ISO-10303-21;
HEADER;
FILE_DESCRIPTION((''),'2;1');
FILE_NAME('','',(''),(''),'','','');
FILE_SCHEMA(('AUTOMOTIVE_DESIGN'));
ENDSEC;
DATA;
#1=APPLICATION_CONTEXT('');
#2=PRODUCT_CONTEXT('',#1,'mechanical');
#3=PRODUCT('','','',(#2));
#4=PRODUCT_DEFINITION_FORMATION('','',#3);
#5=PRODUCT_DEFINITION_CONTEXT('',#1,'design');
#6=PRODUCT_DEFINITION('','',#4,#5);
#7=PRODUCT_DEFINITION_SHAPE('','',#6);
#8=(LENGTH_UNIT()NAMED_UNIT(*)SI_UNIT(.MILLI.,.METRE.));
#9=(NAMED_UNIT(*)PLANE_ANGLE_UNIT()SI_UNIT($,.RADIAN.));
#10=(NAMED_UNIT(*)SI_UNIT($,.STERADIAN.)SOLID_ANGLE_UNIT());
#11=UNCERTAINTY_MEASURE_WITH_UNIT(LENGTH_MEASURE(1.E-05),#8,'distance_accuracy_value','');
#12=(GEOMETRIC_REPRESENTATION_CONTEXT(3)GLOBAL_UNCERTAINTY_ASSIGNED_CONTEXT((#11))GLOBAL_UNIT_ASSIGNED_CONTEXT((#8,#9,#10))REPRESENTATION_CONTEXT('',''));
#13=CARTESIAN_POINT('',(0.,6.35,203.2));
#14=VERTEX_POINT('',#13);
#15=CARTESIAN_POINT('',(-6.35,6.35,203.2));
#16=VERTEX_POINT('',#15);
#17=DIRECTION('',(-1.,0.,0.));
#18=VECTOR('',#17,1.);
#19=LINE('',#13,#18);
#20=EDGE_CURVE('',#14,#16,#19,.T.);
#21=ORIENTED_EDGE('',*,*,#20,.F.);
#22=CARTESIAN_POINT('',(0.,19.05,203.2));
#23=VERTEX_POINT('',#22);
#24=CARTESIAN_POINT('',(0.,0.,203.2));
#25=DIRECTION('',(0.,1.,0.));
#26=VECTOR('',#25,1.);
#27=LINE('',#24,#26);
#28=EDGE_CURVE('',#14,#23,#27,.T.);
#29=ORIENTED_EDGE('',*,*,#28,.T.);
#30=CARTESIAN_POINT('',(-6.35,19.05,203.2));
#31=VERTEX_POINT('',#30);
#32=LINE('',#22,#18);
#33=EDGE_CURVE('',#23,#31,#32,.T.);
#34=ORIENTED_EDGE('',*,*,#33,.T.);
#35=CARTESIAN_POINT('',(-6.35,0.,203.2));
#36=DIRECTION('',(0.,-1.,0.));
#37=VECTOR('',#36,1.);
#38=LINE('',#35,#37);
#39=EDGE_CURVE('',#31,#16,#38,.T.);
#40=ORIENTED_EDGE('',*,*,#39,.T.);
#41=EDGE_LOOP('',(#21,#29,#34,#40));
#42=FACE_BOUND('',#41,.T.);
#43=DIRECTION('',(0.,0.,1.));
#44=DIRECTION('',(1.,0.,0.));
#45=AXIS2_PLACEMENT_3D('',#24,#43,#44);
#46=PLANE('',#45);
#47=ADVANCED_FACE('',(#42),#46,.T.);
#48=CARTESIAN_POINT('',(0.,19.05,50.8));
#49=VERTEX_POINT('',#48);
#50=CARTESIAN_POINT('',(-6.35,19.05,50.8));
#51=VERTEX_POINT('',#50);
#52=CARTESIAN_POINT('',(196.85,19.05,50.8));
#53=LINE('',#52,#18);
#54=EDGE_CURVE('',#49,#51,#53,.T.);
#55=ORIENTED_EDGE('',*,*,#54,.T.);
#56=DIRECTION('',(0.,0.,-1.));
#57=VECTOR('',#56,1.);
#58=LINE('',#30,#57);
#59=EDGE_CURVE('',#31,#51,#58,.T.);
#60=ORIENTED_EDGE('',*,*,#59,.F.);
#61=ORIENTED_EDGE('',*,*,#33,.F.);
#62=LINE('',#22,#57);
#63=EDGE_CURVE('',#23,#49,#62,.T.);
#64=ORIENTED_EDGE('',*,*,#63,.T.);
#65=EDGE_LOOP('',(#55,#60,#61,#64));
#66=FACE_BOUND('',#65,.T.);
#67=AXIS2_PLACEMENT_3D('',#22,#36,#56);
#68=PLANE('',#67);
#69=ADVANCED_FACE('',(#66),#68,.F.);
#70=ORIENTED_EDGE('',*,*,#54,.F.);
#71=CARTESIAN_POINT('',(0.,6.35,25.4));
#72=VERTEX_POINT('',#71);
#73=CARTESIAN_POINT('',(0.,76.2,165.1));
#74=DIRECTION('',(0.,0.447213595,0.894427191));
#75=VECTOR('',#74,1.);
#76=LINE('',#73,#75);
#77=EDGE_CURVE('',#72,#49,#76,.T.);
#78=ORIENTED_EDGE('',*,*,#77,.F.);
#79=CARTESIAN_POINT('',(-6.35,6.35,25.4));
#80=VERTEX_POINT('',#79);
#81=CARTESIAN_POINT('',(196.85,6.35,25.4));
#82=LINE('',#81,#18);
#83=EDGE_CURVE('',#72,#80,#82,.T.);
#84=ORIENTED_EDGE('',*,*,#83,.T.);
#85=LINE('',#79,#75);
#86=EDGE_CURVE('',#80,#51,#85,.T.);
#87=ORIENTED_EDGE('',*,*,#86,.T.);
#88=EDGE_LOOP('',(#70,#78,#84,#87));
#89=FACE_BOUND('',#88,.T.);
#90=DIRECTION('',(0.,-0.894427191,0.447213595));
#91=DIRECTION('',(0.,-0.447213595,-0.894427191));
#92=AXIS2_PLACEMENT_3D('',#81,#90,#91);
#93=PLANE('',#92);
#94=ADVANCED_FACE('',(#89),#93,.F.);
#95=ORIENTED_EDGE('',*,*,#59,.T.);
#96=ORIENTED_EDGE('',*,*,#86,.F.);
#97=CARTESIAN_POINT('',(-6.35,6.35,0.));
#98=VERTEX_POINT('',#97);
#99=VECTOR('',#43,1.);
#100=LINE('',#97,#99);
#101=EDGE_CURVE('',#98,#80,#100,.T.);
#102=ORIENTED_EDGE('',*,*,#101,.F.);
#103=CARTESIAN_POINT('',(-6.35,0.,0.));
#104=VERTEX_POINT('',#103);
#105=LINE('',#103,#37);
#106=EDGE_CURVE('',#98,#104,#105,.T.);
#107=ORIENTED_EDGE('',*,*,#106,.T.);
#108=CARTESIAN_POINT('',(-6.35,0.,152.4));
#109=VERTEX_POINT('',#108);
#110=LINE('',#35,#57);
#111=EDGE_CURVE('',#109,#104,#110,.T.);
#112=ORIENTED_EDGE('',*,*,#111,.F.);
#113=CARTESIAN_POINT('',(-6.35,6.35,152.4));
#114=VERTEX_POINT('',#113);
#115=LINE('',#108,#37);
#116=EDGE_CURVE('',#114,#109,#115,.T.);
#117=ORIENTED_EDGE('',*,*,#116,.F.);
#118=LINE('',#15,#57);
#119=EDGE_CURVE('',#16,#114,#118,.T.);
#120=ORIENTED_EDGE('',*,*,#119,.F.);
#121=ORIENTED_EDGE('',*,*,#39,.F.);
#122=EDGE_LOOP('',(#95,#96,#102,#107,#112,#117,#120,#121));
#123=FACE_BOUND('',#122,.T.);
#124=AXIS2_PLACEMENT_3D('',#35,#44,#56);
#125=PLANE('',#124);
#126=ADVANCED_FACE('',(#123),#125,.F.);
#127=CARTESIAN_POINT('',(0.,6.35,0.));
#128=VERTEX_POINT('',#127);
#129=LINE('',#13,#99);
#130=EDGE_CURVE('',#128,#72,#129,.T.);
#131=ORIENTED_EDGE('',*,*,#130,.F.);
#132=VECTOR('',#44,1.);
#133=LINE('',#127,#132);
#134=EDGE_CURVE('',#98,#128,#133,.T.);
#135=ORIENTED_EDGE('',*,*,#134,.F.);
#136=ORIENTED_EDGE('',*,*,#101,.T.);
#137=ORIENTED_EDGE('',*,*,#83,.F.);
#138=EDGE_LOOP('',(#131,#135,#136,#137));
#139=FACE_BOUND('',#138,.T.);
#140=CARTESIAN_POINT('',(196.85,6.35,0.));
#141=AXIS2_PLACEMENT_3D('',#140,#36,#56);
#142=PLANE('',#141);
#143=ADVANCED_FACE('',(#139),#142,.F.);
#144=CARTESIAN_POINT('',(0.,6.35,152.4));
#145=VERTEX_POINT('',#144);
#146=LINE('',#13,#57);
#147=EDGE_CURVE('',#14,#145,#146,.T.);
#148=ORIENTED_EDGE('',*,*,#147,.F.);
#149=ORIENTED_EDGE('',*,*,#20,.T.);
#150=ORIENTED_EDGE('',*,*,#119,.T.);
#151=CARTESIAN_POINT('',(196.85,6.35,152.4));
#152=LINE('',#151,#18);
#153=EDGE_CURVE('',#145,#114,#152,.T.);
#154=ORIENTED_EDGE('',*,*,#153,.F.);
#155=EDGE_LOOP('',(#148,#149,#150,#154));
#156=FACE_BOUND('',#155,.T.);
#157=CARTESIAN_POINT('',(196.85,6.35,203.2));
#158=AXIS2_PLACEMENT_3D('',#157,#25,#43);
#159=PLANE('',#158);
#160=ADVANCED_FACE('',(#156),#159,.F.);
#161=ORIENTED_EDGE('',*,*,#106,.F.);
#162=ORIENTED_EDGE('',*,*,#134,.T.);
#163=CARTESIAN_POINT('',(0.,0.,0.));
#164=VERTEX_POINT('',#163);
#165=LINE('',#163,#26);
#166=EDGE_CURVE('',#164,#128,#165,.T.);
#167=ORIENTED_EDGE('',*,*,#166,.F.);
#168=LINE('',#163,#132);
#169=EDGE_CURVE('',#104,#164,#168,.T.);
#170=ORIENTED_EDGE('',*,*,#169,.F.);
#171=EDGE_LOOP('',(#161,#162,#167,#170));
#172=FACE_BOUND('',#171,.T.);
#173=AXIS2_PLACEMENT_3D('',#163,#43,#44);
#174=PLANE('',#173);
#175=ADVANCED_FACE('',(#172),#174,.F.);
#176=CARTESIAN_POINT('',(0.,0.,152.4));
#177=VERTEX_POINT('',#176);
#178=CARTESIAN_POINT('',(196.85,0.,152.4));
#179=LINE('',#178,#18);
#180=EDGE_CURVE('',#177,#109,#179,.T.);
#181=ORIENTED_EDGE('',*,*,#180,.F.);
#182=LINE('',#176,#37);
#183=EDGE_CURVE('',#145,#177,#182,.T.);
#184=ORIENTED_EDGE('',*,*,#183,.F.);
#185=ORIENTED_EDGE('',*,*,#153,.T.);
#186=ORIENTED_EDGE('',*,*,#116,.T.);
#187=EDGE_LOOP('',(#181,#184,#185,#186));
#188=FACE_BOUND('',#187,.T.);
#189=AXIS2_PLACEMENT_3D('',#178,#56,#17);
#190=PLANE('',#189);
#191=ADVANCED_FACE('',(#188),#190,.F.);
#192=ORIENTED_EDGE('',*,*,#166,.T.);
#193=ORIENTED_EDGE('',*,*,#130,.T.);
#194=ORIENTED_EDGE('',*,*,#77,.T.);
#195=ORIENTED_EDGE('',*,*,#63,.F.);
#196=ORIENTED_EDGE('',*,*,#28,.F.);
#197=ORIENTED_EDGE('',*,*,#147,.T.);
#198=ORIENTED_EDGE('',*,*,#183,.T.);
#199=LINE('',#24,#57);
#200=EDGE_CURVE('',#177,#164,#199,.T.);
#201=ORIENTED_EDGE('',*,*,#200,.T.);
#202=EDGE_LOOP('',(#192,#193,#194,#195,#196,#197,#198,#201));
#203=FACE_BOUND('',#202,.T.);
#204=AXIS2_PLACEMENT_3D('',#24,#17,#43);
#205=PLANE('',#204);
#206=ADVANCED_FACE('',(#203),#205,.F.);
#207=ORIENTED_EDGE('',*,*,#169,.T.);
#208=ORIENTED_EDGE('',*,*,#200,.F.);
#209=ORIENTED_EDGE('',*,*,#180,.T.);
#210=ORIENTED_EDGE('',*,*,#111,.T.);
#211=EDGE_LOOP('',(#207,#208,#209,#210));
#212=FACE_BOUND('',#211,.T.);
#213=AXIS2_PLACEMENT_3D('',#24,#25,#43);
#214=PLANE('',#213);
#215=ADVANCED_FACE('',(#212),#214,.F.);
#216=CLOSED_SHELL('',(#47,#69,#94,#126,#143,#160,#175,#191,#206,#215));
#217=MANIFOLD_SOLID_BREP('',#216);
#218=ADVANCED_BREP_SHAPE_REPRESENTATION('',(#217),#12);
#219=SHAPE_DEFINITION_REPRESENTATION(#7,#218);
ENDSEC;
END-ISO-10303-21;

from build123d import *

# Parameters (mm, degrees)
SKETCH1_W           = 6.35
SKETCH1_H           = 19.05
BOSS_EXTRUDE1_DEPTH = 203.2
SKETCH2_W           = 50.8
SKETCH2_H           = 6.35
CUT_EXTRUDE1_DEPTH  = 203.2
CUT_EXTRUDE2_DEPTH  = 203.2


with BuildPart() as part:
    # Sketch1 → Boss-Extrude1 (new body)
    with BuildSketch(Plane.XY):
        with Locations((-3.175, 9.525)):
            Rectangle(SKETCH1_W, SKETCH1_H)
    extrude(amount=BOSS_EXTRUDE1_DEPTH)

    # Sketch2 → Cut-Extrude1 (cut)
    with BuildSketch(Plane.ZY.offset(6.35)):
        with Locations((177.8, 3.175)):
            Rectangle(SKETCH2_W, SKETCH2_H)
    extrude(amount=-CUT_EXTRUDE1_DEPTH, mode=Mode.SUBTRACT)

    # Sketch3 → Cut-Extrude2 (cut)
    with BuildSketch(Plane.ZY.offset(6.35)):
        Polygon((0, 6.35), (25.4, 6.35), (50.8, 19.05), (0, 19.05), align=None)
    extrude(amount=-CUT_EXTRUDE2_DEPTH, mode=Mode.SUBTRACT)


solid = part.part
